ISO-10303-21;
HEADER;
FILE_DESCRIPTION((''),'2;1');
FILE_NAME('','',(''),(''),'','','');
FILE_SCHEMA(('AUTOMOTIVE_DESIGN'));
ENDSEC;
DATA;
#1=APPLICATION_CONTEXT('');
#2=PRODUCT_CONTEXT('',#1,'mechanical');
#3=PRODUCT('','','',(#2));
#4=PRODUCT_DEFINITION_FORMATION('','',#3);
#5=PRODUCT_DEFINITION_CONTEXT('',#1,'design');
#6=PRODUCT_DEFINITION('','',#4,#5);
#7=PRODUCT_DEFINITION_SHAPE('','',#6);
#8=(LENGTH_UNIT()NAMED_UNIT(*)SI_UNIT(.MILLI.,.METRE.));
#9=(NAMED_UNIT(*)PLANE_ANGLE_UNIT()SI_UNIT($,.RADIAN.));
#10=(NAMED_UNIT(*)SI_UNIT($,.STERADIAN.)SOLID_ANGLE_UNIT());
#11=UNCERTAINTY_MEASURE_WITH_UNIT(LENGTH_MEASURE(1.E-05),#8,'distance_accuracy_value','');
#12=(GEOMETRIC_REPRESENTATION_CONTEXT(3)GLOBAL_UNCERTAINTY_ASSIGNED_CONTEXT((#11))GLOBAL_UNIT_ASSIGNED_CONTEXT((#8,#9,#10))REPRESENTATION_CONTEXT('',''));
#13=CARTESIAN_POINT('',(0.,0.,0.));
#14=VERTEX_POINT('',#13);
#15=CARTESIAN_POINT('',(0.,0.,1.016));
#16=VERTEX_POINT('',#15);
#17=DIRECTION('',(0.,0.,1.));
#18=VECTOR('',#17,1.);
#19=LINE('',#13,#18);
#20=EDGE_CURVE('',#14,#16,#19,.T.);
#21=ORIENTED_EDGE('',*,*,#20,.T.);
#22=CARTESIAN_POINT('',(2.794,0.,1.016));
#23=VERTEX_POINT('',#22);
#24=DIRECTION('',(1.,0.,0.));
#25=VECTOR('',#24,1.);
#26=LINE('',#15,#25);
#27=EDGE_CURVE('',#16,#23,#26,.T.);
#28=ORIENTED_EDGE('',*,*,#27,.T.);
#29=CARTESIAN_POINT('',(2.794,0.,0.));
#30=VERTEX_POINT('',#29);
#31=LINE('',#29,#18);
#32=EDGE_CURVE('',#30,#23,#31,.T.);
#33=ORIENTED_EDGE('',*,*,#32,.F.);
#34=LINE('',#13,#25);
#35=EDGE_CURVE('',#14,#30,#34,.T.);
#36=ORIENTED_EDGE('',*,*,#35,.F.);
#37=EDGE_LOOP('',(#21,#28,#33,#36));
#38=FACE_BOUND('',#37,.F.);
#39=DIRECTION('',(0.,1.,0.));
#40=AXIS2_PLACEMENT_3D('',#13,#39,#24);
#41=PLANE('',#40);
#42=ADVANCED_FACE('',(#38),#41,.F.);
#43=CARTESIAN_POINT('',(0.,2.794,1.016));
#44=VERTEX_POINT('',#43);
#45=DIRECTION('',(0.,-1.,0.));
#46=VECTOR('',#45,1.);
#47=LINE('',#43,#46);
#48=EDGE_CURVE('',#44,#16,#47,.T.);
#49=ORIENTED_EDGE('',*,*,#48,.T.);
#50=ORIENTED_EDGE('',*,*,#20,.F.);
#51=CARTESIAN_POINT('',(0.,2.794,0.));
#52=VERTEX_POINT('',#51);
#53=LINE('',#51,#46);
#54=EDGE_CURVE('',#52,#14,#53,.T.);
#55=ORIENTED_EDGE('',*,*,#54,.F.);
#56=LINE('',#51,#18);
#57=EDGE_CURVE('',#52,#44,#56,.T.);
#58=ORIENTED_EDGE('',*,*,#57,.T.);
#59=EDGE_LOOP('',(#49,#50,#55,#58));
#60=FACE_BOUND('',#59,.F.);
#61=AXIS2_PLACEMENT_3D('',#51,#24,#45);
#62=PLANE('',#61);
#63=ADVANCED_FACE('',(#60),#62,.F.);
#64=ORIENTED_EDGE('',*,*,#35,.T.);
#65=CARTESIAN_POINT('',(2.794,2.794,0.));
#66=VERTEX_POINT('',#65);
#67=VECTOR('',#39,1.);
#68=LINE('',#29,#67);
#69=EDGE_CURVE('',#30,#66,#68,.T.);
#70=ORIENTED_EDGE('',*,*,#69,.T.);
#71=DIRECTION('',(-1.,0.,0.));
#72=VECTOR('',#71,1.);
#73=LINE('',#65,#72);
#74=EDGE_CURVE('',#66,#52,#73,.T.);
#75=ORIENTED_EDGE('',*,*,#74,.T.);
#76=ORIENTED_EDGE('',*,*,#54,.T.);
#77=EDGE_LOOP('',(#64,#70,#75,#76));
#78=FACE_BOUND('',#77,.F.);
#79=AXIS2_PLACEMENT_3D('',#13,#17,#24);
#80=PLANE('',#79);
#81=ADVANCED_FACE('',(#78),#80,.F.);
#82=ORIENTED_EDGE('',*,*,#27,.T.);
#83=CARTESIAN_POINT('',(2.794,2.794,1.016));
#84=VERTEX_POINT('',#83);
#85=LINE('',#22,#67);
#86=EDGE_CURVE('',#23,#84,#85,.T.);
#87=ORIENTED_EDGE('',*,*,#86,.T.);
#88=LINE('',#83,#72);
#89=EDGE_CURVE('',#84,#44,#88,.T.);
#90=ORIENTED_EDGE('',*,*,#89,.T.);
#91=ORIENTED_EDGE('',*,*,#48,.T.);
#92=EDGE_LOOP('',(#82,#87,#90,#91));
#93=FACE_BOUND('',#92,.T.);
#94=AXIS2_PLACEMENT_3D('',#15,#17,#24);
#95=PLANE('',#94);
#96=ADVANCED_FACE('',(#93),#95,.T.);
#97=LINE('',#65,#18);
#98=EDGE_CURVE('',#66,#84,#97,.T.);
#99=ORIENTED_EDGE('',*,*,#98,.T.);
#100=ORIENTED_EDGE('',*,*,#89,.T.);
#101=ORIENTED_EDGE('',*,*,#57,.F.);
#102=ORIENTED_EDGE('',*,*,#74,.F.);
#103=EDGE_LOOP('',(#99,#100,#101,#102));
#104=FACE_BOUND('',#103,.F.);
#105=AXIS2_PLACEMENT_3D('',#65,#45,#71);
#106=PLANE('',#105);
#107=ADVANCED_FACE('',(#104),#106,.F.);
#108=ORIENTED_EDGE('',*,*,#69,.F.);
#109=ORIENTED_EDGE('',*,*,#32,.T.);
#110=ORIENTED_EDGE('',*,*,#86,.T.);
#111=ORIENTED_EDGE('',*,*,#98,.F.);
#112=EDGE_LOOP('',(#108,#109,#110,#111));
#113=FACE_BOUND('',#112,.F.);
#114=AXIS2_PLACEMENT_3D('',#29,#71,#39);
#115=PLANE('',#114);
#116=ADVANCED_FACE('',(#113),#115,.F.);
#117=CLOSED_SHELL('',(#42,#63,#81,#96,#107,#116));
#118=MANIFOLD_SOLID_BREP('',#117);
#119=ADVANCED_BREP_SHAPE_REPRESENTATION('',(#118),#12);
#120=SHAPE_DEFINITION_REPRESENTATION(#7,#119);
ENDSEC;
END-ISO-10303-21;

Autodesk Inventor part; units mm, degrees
ref_plane "YZ Plane" through (0, 0, 0) normal (1, 0, 0) x (0, 1, 0)
ref_plane "XZ Plane" through (0, 0, 0) normal (0, 1, 0) x (-1, 0, 0)
ref_plane "XY Plane" through (0, 0, 0) normal (0, 0, 1) x (1, 0, 0)
sketch "Sketch1" plane through (0, 0, 0) normal (0, 0, 1) x (1, 0, 0)
  line L0 (0, 0) -> (2.794, 0)
  line L1 (2.794, 0) -> (2.794, 2.794)
  line L2 (2.794, 2.794) -> (0, 2.794)
  line L3 (0, 2.794) -> (0, 0)
  dimension "d0" = 2.794
  dimension "d1" = 2.794
extrude "Extrusion1" add sketch "Sketch1" along normal blind 1.016
properties material "capacitor ceramic"
